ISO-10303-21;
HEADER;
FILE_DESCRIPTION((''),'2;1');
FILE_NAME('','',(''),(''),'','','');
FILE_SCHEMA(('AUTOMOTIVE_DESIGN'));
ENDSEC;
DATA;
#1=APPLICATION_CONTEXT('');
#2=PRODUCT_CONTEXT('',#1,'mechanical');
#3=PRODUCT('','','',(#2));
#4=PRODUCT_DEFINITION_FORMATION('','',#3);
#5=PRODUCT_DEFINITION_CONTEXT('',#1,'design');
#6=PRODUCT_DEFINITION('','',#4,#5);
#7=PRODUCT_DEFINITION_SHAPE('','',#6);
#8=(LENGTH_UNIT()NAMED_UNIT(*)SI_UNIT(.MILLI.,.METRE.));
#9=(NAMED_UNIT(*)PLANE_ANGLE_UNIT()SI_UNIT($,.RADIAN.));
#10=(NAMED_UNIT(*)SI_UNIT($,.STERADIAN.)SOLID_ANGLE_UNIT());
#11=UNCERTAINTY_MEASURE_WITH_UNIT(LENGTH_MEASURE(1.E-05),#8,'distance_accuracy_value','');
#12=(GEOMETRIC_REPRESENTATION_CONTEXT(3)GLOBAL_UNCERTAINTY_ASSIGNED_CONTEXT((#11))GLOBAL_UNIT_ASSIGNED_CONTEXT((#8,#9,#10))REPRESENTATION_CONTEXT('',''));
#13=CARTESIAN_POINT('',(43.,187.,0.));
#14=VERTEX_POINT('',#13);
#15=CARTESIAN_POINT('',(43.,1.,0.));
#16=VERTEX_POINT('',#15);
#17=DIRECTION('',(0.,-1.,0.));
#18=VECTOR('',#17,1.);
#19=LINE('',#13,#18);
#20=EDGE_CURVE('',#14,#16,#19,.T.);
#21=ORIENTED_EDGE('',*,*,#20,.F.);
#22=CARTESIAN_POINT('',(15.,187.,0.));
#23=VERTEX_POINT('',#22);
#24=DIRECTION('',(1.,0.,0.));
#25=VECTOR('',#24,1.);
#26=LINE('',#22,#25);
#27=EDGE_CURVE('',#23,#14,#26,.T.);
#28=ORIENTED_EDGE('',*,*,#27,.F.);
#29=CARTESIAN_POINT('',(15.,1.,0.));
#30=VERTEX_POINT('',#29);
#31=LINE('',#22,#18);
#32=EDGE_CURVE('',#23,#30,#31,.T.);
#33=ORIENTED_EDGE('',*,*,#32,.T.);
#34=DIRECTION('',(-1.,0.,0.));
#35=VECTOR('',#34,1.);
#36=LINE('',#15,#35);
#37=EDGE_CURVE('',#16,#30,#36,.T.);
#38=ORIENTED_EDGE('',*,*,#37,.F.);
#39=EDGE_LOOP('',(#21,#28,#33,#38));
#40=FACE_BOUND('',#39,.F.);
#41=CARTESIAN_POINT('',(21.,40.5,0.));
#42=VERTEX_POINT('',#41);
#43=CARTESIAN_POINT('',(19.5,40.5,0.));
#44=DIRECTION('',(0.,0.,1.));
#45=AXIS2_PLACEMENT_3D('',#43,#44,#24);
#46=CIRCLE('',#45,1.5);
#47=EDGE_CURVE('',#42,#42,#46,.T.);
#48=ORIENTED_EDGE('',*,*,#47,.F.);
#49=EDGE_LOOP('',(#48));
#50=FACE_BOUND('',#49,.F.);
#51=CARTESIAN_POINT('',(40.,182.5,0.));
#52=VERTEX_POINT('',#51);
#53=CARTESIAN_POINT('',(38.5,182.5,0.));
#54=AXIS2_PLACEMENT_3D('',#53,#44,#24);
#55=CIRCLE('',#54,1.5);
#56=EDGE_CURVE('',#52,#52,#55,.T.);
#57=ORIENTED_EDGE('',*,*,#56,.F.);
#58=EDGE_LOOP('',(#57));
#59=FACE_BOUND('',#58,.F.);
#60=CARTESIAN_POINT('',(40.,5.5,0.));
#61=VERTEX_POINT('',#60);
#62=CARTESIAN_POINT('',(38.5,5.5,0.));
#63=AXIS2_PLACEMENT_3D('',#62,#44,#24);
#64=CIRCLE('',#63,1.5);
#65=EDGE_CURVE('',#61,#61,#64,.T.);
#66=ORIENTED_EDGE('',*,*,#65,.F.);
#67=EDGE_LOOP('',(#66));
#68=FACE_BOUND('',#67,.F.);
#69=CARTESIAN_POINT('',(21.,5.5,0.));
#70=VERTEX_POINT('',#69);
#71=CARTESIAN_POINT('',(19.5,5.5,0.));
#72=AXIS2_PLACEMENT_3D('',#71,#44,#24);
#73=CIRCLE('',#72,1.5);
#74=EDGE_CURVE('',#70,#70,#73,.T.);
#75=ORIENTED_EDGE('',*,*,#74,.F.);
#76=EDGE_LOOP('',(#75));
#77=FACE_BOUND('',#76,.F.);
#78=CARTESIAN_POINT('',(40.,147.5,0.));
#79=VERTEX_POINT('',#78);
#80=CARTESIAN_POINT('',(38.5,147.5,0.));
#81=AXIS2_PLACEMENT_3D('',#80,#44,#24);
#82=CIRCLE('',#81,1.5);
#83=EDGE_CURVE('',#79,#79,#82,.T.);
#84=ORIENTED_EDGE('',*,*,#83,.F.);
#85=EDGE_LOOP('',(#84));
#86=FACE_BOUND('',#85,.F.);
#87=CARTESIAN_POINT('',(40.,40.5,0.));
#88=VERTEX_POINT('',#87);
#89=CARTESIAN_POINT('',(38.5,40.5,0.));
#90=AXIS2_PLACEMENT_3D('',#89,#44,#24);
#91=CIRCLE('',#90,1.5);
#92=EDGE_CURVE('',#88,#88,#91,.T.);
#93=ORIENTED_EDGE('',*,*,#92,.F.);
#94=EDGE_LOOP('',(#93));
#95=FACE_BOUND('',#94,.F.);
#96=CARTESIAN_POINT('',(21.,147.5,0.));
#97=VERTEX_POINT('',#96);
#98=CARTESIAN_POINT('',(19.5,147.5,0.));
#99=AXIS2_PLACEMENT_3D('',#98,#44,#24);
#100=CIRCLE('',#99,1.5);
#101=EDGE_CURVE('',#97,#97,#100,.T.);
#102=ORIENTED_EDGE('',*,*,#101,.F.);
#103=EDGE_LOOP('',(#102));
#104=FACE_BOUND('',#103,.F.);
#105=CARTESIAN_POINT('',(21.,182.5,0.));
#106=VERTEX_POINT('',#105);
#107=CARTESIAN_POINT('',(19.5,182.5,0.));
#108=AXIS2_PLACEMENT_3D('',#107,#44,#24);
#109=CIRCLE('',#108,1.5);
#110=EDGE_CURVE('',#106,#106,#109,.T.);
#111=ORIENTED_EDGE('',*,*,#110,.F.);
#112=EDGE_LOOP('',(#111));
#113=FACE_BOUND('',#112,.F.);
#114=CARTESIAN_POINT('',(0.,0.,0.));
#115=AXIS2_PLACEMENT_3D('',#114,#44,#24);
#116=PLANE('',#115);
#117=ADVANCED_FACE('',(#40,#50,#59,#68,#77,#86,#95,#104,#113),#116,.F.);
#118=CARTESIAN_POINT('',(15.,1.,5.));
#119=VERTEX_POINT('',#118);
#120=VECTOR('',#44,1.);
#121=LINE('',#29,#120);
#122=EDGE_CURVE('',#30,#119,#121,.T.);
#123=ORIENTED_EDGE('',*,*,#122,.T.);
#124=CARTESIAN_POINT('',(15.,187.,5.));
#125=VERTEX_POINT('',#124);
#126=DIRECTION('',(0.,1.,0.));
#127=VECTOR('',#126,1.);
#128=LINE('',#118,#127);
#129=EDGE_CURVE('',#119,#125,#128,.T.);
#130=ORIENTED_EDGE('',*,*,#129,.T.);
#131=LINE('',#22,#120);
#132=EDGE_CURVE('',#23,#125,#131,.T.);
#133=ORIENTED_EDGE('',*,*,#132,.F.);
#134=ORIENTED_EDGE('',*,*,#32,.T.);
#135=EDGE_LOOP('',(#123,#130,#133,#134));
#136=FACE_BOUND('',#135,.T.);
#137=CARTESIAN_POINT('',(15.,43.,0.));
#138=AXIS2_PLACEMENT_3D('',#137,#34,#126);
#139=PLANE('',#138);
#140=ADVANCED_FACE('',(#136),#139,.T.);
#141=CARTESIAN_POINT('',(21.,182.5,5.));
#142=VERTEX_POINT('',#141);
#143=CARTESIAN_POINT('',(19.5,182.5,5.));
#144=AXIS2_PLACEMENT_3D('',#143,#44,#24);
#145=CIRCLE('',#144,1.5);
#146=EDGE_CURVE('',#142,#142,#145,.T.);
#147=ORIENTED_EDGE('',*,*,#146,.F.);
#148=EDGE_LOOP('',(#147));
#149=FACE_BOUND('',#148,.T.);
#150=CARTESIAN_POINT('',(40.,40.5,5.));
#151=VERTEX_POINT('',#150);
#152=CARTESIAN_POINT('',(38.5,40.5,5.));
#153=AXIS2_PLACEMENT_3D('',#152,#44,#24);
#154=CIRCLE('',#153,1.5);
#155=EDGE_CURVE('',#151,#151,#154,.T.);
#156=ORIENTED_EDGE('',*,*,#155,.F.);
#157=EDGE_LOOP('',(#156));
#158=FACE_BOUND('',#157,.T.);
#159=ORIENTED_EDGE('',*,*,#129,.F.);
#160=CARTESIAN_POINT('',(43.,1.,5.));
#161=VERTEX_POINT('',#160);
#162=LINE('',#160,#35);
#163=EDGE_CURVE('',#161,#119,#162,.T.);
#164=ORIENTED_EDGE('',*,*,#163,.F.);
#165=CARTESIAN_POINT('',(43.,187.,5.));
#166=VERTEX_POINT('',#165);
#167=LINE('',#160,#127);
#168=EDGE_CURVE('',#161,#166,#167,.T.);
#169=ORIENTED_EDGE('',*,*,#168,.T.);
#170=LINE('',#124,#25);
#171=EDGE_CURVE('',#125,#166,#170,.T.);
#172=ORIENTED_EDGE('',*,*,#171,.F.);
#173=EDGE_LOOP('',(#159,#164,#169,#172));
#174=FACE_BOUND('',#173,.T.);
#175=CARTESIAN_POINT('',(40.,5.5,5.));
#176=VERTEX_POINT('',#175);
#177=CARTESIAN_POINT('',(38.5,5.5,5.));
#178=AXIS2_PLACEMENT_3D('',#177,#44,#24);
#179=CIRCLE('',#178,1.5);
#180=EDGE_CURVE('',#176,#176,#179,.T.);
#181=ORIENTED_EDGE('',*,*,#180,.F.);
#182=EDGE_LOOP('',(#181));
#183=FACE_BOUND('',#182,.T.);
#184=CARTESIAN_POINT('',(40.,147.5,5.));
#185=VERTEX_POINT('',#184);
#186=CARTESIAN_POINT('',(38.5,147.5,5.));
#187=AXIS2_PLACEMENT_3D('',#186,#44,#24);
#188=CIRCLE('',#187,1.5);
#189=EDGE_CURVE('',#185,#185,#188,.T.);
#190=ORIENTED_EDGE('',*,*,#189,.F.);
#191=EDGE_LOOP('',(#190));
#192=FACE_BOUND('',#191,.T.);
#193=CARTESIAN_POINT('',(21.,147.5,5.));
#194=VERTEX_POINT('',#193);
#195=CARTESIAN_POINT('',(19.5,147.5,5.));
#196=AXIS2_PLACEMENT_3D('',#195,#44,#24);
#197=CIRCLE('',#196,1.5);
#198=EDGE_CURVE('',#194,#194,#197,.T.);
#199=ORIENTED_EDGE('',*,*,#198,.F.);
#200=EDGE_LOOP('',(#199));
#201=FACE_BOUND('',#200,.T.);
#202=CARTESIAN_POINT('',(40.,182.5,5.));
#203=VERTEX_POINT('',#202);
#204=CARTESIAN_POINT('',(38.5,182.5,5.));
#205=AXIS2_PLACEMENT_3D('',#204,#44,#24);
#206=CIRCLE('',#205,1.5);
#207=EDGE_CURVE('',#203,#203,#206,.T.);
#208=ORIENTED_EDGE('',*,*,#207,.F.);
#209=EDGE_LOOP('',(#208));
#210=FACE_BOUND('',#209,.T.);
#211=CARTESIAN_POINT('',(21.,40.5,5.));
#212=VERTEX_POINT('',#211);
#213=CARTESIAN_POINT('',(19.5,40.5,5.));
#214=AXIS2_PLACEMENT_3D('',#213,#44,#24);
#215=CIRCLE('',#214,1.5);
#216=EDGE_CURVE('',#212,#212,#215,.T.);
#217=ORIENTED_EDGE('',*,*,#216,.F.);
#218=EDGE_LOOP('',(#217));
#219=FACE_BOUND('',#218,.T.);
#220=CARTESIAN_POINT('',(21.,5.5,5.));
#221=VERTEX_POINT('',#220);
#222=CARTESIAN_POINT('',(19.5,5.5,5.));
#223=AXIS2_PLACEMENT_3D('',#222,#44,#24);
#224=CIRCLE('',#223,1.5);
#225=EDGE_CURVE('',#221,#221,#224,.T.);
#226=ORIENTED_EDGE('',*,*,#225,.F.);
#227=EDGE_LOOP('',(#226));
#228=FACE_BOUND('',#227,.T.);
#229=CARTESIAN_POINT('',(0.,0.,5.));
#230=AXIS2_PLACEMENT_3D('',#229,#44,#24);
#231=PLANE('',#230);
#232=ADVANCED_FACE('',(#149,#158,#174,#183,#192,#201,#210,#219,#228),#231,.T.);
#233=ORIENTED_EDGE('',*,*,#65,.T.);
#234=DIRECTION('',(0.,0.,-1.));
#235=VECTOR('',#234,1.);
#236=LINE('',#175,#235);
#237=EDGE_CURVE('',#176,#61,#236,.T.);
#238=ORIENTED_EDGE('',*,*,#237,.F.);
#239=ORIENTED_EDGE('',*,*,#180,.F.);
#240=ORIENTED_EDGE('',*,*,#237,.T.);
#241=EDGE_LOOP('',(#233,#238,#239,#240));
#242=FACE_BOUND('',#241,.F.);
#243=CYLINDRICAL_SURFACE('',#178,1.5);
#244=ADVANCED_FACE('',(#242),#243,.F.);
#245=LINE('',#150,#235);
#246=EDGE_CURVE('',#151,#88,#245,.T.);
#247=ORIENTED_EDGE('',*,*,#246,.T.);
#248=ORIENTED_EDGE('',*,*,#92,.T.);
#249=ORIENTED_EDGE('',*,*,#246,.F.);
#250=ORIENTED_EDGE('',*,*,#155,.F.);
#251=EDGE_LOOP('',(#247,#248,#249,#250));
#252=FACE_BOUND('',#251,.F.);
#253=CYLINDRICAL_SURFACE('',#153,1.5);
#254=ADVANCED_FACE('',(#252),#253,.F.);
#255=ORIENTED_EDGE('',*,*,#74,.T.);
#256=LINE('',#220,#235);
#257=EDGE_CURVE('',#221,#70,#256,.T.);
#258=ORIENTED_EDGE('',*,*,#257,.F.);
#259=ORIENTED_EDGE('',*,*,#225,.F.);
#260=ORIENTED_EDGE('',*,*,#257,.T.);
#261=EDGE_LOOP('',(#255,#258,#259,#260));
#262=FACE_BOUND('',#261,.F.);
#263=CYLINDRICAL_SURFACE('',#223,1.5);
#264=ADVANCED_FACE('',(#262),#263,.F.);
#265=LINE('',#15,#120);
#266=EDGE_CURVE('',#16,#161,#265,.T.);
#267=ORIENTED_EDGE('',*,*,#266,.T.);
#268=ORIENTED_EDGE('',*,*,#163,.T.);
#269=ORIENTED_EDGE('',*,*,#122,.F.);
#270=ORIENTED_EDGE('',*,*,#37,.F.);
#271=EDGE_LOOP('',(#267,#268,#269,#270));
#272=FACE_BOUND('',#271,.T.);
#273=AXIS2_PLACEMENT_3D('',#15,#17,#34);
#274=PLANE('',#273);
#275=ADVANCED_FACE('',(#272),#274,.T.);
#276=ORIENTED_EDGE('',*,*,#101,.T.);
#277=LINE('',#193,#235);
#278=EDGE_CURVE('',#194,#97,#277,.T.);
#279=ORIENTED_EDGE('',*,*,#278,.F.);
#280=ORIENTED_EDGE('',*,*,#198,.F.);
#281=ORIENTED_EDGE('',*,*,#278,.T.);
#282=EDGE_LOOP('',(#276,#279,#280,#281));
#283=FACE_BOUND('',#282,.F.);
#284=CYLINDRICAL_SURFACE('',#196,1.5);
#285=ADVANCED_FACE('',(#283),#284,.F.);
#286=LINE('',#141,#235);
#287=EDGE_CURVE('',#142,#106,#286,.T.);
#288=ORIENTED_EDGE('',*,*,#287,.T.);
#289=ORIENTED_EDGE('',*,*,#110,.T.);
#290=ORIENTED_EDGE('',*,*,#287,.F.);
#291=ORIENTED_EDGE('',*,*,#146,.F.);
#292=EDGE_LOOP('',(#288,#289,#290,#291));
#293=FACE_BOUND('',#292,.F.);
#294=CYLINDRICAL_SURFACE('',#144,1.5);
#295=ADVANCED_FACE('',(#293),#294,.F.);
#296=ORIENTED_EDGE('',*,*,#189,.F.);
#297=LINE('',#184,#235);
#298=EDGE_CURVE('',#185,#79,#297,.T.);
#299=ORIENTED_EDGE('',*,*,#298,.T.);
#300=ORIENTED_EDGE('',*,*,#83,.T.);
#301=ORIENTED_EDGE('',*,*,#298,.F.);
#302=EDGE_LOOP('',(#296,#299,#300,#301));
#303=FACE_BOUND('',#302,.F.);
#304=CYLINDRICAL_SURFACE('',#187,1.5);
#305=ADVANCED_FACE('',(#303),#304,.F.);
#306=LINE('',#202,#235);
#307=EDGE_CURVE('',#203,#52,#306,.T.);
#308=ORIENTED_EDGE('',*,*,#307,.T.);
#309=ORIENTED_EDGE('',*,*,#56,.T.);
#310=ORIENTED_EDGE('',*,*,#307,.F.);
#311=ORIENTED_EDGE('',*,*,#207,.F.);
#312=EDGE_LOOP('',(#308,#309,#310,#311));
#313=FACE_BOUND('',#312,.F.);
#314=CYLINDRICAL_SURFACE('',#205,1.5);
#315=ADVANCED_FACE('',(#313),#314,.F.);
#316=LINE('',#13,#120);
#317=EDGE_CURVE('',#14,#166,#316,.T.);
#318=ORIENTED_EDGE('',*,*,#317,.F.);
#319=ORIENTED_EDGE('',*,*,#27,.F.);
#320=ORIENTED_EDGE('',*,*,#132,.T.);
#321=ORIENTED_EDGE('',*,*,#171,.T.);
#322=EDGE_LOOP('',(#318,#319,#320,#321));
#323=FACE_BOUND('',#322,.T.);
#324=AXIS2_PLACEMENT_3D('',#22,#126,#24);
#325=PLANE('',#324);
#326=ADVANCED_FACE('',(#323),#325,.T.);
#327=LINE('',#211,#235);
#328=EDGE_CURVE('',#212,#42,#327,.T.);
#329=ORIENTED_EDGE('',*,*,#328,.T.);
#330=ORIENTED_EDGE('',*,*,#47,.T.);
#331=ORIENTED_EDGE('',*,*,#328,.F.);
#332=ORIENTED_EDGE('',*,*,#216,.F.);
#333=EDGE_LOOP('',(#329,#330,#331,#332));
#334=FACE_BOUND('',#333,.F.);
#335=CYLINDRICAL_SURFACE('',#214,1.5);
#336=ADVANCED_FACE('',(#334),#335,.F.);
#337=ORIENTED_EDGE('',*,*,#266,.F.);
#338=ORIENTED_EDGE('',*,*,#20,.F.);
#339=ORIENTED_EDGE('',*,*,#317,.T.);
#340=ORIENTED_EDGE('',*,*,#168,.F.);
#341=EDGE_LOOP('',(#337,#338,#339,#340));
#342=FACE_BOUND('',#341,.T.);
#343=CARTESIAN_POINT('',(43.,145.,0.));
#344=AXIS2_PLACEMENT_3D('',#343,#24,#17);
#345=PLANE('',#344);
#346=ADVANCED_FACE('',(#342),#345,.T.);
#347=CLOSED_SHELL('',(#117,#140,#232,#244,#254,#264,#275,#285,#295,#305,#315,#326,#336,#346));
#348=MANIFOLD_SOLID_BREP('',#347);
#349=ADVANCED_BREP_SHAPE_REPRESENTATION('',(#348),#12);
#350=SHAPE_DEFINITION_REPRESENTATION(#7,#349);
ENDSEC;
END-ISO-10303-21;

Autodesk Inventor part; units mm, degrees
ref_plane "YZ Plane" through (0, 0, 0) normal (1, 0, 0) x (0, 1, 0)
ref_plane "XZ Plane" through (0, 0, 0) normal (0, 1, 0) x (-1, 0, 0)
ref_plane "XY Plane" through (0, 0, 0) normal (0, 0, 1) x (1, 0, 0)
sketch "Sketch1" plane through (0, 0, 0) normal (0, 0, 1) x (1, 0, 0)
  line L0 (15, 43) -> (43, 43) projected
  line L1 (15, 1) -> (15, 43) projected
  line L2 (43, 1) -> (15, 1) projected
  line L3 (43, 1) -> (43, 43) projected
  line L4 (15, 187) -> (43, 187) projected
  line L5 (15, 145) -> (15, 187) projected
  line L6 (43, 145) -> (15, 145) projected
  line L7 (43, 145) -> (43, 187) projected
  line L8 (15, 187) -> (43, 187)
  line L9 (43, 187) -> (43, 1)
  line L10 (43, 1) -> (15, 1)
  line L11 (15, 1) -> (15, 187)
  point P0 (0, 0)
extrude "Extrusion1" add sketch "Sketch1" along normal blind 5
sketch "Sketch2" plane through (0, 0, 5) normal (0, 0, 1) x (1, 0, 0)
  line L0 (43, 1) -> (43, 187) projected
  line L1 (43, 187) -> (15, 187) projected
  line L2 (15, 187) -> (15, 1) projected
  line L3 (15, 1) -> (43, 1) projected
  line L4 (15, 187) -> (15, 1) construction
  line L5 (15, 5.5) -> (43, 5.5) construction
  line L6 (43, 1) -> (43, 187) construction
  line L7 (15, 1) -> (43, 1) construction
  line L8 (19.5, 1) -> (19.5, 187) construction
  line L9 (43, 187) -> (15, 187) construction
  circle A0 centre (19.5, 5.5) radius 1.5
  line L10 (43, 45) -> (15, 45) projected
  circle A1 centre (38.5, 5.5) radius 1.5
  circle A2 centre (19.5, 40.5) radius 1.5
  circle A3 centre (38.5, 40.5) radius 1.5
  circle A4 centre (19.5, 182.5) radius 1.5
  circle A5 centre (19.5, 147.5) radius 1.5
  circle A6 centre (38.5, 147.5) radius 1.5
  circle A7 centre (38.5, 182.5) radius 1.5
  point P0 (0, 0)
  dimension "d2" = 4.5
  dimension "d3" = 4.5
  dimension "d4" = 3
  dimension "d5" = 44
  dimension "d6" = 28
  dimension "d9" = 19
  dimension "d12" = 35
  dimension "d15" = 186
  dimension "d18" = 142
extrude "Extrusion2" cut sketch "Sketch2" against normal through all contours A0 | A1 | A2 | A3 | A4 | A5 | A6 | A7
properties part number "side upper and lower connector"
